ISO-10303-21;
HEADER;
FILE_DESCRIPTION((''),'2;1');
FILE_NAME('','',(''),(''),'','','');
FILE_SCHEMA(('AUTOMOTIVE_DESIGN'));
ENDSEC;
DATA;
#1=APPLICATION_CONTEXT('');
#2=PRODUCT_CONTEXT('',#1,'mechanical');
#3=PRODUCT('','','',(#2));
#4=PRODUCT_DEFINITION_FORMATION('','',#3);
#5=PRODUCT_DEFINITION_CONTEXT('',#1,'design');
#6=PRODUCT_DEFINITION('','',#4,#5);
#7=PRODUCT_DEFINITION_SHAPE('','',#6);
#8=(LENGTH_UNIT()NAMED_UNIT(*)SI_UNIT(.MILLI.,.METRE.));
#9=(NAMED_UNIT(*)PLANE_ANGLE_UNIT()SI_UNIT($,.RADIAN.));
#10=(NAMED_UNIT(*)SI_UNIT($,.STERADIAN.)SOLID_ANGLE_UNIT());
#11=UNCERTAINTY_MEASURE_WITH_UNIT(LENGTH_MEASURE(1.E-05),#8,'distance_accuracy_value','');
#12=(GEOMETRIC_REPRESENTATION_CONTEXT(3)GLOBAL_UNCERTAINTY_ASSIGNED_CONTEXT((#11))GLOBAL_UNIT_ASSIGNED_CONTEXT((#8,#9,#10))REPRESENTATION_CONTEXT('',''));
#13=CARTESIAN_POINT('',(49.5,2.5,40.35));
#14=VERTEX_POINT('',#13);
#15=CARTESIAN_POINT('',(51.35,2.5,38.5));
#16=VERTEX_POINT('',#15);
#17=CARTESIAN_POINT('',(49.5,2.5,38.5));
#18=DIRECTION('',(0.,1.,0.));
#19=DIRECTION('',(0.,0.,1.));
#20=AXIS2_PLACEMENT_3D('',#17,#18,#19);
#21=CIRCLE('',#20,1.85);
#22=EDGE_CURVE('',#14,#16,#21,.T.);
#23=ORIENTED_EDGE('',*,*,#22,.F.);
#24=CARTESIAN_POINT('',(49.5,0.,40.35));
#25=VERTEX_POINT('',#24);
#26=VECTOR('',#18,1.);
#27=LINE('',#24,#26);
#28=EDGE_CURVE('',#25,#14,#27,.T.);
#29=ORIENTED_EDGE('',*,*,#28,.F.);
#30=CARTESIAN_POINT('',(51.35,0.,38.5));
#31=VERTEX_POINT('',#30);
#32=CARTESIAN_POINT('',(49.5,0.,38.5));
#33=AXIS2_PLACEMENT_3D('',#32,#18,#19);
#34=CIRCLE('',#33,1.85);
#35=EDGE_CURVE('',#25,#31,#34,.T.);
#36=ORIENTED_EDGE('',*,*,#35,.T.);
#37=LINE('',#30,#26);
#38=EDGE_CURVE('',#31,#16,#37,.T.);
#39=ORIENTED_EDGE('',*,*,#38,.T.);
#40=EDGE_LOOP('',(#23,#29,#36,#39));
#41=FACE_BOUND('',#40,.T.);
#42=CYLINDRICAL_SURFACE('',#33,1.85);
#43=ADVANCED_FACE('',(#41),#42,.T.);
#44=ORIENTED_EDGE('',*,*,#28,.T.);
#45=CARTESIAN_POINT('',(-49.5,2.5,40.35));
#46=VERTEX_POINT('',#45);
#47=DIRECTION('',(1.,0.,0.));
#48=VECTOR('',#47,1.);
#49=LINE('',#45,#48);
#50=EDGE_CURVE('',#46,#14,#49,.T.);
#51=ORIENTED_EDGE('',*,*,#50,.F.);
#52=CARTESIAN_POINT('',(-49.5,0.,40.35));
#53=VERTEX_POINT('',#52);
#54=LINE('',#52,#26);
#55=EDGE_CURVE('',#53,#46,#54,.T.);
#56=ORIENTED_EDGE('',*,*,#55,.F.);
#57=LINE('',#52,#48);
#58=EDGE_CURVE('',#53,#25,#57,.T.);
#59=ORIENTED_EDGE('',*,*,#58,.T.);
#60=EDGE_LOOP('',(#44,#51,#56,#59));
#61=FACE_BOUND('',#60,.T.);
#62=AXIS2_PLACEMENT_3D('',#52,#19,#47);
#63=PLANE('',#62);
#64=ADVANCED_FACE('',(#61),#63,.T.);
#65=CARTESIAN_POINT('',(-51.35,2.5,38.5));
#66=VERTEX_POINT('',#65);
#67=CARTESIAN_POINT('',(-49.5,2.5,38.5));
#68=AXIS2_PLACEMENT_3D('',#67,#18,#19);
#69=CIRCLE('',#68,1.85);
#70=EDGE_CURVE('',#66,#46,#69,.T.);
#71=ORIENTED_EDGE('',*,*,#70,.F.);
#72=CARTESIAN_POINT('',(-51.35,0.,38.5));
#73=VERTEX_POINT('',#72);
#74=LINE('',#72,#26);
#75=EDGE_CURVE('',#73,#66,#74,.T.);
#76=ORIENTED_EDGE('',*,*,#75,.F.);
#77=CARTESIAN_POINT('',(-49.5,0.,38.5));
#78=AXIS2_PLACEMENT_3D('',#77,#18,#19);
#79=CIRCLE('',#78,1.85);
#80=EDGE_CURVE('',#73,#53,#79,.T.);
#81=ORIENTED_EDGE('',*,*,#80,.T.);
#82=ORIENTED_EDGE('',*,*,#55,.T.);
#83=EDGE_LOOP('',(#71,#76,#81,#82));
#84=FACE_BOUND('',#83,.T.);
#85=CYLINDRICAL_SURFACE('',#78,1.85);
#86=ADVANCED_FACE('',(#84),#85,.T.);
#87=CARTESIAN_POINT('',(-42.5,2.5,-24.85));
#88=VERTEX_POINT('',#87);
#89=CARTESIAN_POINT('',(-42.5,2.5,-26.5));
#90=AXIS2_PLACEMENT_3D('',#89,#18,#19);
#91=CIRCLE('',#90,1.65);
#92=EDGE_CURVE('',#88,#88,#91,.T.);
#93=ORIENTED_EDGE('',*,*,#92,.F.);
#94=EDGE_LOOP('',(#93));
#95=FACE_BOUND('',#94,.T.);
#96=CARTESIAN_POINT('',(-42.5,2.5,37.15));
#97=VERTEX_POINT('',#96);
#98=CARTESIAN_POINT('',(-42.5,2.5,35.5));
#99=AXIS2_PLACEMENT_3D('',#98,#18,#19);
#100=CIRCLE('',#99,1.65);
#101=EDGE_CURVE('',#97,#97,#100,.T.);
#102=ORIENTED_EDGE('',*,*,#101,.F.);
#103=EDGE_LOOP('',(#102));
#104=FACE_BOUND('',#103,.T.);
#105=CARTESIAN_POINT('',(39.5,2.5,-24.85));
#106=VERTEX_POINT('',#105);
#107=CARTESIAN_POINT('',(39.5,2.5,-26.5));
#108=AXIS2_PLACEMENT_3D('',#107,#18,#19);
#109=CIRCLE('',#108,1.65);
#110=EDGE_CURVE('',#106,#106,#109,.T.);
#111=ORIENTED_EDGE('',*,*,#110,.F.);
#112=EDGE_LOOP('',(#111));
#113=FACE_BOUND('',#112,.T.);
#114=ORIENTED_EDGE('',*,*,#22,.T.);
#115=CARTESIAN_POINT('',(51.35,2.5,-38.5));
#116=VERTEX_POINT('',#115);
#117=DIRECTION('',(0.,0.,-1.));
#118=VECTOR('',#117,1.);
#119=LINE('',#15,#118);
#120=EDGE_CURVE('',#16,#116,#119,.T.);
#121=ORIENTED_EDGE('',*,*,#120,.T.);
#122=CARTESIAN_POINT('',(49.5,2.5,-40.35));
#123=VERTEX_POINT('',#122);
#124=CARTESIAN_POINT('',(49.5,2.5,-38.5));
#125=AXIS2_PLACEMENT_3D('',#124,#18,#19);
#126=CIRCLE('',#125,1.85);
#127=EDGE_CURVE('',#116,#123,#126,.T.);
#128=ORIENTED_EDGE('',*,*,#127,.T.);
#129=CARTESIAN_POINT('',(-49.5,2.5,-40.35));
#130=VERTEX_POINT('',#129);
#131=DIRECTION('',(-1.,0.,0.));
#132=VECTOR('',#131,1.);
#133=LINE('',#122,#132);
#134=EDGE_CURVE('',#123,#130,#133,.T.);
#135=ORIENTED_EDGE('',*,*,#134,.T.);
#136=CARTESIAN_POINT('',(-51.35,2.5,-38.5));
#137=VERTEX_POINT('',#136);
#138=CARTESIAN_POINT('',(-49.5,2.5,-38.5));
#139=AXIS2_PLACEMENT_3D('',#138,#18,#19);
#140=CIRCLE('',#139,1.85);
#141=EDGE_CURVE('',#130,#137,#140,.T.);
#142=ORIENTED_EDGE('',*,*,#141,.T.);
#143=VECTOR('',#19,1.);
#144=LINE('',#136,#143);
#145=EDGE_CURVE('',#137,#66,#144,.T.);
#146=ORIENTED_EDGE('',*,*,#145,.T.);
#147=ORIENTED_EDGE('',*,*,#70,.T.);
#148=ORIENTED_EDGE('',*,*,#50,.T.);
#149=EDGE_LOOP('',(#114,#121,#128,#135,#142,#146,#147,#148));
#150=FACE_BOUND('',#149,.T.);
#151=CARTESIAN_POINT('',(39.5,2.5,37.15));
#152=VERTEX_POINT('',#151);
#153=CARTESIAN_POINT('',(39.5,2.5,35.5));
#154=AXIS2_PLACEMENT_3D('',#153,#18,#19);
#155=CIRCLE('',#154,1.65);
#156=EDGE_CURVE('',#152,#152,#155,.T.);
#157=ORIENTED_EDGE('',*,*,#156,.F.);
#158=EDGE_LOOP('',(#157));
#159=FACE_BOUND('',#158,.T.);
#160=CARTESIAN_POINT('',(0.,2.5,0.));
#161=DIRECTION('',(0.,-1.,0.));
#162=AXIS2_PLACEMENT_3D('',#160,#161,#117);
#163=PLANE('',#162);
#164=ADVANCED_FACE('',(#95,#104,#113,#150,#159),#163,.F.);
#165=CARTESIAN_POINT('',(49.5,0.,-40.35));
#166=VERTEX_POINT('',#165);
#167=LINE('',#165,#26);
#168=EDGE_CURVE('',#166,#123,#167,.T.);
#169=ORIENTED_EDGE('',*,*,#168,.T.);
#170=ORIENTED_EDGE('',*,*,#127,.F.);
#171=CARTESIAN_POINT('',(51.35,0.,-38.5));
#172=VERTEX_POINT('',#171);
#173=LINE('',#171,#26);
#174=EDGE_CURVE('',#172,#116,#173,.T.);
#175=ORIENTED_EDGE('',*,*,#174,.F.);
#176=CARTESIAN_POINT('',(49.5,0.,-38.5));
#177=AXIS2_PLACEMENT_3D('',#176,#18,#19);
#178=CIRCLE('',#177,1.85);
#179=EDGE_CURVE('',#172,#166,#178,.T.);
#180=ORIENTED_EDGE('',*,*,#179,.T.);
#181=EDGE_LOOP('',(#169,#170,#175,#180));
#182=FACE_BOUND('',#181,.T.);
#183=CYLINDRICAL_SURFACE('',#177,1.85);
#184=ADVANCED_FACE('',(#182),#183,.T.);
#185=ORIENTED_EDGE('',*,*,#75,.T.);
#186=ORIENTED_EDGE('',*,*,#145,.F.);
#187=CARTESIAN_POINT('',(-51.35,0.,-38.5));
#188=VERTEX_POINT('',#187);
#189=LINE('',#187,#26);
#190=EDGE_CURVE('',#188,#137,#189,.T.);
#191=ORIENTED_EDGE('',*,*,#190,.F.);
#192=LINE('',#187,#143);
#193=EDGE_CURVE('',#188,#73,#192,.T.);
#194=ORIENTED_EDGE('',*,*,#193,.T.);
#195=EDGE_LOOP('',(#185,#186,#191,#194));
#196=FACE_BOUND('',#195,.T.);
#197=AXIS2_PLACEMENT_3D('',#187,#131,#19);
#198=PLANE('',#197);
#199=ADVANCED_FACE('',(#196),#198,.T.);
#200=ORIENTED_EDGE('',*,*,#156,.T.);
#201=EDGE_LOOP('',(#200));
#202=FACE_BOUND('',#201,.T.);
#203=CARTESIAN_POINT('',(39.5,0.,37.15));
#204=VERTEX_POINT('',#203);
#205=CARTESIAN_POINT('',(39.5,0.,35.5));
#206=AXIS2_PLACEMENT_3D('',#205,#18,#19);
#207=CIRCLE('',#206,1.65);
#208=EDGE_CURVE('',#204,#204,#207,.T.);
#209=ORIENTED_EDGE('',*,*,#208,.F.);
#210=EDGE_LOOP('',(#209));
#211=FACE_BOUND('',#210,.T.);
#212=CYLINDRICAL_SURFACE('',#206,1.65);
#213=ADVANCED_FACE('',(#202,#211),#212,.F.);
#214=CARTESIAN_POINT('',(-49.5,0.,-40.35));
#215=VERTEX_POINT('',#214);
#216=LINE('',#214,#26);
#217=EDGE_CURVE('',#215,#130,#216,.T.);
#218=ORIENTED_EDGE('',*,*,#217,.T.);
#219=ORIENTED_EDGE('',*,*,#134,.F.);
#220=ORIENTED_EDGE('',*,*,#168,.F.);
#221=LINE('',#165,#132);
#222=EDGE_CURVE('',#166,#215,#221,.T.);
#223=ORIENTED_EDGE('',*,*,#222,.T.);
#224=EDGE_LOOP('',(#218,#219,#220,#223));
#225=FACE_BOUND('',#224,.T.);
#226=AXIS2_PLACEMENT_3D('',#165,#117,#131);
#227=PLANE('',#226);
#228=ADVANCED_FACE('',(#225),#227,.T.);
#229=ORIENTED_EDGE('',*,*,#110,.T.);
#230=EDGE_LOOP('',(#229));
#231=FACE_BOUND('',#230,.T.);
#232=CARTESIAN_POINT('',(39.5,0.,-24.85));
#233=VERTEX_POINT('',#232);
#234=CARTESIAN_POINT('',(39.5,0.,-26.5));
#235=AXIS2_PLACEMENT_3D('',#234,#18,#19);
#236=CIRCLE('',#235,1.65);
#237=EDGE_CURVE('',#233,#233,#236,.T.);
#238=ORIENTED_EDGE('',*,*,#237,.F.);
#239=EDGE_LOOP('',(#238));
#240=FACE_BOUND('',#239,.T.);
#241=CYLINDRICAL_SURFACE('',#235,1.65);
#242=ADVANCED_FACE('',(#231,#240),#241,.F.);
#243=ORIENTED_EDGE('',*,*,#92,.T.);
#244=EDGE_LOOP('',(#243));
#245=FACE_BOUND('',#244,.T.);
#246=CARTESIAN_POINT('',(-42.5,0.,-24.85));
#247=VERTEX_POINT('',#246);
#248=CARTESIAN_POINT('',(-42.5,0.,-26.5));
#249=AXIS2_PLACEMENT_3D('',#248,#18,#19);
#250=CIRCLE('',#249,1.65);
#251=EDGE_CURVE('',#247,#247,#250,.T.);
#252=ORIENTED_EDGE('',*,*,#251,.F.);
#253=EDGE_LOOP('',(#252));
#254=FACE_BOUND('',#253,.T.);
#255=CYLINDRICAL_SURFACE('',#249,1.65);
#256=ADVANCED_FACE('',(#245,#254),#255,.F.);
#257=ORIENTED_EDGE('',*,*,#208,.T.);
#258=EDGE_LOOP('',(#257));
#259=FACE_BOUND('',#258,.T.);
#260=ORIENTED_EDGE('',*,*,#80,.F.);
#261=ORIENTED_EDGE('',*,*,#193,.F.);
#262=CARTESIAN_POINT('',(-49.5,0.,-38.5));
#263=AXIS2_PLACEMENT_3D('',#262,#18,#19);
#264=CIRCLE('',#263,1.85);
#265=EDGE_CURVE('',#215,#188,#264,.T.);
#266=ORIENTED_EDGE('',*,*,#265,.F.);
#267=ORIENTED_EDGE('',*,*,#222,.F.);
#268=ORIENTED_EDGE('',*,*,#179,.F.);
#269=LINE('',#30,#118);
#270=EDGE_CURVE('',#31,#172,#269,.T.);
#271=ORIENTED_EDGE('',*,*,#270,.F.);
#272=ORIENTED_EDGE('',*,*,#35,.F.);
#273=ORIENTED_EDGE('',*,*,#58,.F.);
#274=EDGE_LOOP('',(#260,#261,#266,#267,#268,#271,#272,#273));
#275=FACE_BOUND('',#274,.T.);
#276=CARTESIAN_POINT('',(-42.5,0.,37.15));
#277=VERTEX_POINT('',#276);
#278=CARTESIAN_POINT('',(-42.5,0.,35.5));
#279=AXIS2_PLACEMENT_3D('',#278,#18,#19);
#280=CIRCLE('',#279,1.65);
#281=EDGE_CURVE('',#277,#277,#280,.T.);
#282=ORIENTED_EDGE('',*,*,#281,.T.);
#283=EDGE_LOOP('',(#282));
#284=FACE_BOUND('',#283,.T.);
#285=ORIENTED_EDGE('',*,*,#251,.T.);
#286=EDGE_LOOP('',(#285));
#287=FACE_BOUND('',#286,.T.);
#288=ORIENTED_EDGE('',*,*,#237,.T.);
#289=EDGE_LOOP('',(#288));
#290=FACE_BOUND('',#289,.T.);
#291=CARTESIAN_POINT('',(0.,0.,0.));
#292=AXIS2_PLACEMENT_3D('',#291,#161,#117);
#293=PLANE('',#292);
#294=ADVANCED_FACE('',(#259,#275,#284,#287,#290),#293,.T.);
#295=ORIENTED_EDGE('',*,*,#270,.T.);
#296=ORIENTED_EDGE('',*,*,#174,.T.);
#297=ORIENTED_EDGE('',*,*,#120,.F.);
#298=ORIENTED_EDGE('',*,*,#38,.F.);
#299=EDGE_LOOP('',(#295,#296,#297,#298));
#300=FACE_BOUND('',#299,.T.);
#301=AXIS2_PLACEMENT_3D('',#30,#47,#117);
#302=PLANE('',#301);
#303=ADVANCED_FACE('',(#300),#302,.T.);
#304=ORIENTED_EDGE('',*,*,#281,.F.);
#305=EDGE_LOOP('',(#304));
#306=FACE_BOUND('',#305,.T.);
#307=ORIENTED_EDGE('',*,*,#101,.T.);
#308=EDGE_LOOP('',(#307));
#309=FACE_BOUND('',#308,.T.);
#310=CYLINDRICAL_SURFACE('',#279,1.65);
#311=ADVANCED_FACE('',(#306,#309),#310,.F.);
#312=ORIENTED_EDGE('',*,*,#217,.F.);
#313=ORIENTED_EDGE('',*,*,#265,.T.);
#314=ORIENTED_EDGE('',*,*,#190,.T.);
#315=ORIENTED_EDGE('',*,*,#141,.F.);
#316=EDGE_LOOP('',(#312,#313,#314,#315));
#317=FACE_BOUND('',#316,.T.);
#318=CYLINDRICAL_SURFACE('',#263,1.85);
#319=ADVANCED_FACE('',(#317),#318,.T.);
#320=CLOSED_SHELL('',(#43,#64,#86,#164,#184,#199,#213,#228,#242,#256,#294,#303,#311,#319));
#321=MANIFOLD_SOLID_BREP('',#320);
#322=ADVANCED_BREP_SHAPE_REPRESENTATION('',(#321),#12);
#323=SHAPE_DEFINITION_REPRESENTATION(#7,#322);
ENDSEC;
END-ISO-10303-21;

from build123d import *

# Parameters (mm, degrees)
SKETCH_1_W          = 103
SKETCH_1_H          = 81
EXTRUDE_1_DEPTH     = 2.5
FILLET_1_R          = 2
SKETCH_2_R          = 1.65
CUT_EXTRUDE_1_DEPTH = 66.56485339
CUT_EXTRUDE_2_DEPTH = 66.56485339


with BuildPart() as part:
    # 草图1 → 凸台-拉伸1 (new body)
    with BuildSketch(Plane(origin=(0, 0, 0), x_dir=(1, 0, 0), z_dir=(0, 1, 0))):
        Rectangle(SKETCH_1_W, SKETCH_1_H)
    extrude(amount=EXTRUDE_1_DEPTH)

    # 圆角1
    fillet_1_edges = [part.edges().sort_by_distance(p)[0] for p in [
        (51.5, 1.25, 40.5),
        (-51.5, 1.25, 40.5),
        (-51.5, 1.25, -40.5),
        (51.5, 1.25, -40.5),
    ]]
    fillet(fillet_1_edges, radius=FILLET_1_R)

    # 草图2 → 切除-拉伸1 (cut, through all)
    with BuildSketch(Plane(origin=(0, 2.5, 0), x_dir=(1, 0, 0), z_dir=(0, 1, 0))):
        with Locations(Location((-42.5, 26.5, 0), (0, 0, 270))):
            Circle(SKETCH_2_R)
        with Locations(Location((39.5, 26.5, 0), (0, 0, 270))):
            Circle(SKETCH_2_R)
        with Locations(Location((39.5, -35.5, 0), (0, 0, 270))):
            Circle(SKETCH_2_R)
        with Locations(Location((-42.5, -35.5, 0), (0, 0, 270))):
            Circle(SKETCH_2_R)
    extrude(amount=-CUT_EXTRUDE_1_DEPTH, mode=Mode.SUBTRACT)

    # 草图3 → 切除-拉伸2 (cut, through all)
    with BuildSketch(Plane(origin=(0, 2.5, 0), x_dir=(1, 0, 0), z_dir=(0, 1, 0))):
        with BuildLine():
            Line((49.5, 40.5), (-49.5, 40.5))
            ThreePointArc((-49.5, 40.5), (-50.914213562, 39.914213562), (-51.5, 38.5))
            Line((-51.5, 38.5), (-51.5, -38.5))
            ThreePointArc((-51.5, -38.5), (-50.914213562, -39.914213562), (-49.5, -40.5))
            Line((-49.5, -40.5), (49.5, -40.5))
            ThreePointArc((49.5, -40.5), (50.914213562, -39.914213562), (51.5, -38.5))
            Line((51.5, -38.5), (51.5, 38.5))
            ThreePointArc((51.5, 38.5), (50.914213562, 39.914213562), (49.5, 40.5))
        make_face()
        with BuildLine():
            Line((49.5, 40.35), (-49.5, 40.35))
            ThreePointArc((-49.5, 40.35), (-50.808147545, 39.808147545), (-51.35, 38.5))
            Line((-51.35, 38.5), (-51.35, -38.5))
            ThreePointArc((-51.35, -38.5), (-50.808147545, -39.808147545), (-49.5, -40.35))
            Line((-49.5, -40.35), (49.5, -40.35))
            ThreePointArc((49.5, -40.35), (50.808147545, -39.808147545), (51.35, -38.5))
            Line((51.35, -38.5), (51.35, 38.5))
            ThreePointArc((51.35, 38.5), (50.808147545, 39.808147545), (49.5, 40.35))
        make_face(mode=Mode.SUBTRACT)
    extrude(amount=-CUT_EXTRUDE_2_DEPTH, mode=Mode.SUBTRACT)


solid = part.part
